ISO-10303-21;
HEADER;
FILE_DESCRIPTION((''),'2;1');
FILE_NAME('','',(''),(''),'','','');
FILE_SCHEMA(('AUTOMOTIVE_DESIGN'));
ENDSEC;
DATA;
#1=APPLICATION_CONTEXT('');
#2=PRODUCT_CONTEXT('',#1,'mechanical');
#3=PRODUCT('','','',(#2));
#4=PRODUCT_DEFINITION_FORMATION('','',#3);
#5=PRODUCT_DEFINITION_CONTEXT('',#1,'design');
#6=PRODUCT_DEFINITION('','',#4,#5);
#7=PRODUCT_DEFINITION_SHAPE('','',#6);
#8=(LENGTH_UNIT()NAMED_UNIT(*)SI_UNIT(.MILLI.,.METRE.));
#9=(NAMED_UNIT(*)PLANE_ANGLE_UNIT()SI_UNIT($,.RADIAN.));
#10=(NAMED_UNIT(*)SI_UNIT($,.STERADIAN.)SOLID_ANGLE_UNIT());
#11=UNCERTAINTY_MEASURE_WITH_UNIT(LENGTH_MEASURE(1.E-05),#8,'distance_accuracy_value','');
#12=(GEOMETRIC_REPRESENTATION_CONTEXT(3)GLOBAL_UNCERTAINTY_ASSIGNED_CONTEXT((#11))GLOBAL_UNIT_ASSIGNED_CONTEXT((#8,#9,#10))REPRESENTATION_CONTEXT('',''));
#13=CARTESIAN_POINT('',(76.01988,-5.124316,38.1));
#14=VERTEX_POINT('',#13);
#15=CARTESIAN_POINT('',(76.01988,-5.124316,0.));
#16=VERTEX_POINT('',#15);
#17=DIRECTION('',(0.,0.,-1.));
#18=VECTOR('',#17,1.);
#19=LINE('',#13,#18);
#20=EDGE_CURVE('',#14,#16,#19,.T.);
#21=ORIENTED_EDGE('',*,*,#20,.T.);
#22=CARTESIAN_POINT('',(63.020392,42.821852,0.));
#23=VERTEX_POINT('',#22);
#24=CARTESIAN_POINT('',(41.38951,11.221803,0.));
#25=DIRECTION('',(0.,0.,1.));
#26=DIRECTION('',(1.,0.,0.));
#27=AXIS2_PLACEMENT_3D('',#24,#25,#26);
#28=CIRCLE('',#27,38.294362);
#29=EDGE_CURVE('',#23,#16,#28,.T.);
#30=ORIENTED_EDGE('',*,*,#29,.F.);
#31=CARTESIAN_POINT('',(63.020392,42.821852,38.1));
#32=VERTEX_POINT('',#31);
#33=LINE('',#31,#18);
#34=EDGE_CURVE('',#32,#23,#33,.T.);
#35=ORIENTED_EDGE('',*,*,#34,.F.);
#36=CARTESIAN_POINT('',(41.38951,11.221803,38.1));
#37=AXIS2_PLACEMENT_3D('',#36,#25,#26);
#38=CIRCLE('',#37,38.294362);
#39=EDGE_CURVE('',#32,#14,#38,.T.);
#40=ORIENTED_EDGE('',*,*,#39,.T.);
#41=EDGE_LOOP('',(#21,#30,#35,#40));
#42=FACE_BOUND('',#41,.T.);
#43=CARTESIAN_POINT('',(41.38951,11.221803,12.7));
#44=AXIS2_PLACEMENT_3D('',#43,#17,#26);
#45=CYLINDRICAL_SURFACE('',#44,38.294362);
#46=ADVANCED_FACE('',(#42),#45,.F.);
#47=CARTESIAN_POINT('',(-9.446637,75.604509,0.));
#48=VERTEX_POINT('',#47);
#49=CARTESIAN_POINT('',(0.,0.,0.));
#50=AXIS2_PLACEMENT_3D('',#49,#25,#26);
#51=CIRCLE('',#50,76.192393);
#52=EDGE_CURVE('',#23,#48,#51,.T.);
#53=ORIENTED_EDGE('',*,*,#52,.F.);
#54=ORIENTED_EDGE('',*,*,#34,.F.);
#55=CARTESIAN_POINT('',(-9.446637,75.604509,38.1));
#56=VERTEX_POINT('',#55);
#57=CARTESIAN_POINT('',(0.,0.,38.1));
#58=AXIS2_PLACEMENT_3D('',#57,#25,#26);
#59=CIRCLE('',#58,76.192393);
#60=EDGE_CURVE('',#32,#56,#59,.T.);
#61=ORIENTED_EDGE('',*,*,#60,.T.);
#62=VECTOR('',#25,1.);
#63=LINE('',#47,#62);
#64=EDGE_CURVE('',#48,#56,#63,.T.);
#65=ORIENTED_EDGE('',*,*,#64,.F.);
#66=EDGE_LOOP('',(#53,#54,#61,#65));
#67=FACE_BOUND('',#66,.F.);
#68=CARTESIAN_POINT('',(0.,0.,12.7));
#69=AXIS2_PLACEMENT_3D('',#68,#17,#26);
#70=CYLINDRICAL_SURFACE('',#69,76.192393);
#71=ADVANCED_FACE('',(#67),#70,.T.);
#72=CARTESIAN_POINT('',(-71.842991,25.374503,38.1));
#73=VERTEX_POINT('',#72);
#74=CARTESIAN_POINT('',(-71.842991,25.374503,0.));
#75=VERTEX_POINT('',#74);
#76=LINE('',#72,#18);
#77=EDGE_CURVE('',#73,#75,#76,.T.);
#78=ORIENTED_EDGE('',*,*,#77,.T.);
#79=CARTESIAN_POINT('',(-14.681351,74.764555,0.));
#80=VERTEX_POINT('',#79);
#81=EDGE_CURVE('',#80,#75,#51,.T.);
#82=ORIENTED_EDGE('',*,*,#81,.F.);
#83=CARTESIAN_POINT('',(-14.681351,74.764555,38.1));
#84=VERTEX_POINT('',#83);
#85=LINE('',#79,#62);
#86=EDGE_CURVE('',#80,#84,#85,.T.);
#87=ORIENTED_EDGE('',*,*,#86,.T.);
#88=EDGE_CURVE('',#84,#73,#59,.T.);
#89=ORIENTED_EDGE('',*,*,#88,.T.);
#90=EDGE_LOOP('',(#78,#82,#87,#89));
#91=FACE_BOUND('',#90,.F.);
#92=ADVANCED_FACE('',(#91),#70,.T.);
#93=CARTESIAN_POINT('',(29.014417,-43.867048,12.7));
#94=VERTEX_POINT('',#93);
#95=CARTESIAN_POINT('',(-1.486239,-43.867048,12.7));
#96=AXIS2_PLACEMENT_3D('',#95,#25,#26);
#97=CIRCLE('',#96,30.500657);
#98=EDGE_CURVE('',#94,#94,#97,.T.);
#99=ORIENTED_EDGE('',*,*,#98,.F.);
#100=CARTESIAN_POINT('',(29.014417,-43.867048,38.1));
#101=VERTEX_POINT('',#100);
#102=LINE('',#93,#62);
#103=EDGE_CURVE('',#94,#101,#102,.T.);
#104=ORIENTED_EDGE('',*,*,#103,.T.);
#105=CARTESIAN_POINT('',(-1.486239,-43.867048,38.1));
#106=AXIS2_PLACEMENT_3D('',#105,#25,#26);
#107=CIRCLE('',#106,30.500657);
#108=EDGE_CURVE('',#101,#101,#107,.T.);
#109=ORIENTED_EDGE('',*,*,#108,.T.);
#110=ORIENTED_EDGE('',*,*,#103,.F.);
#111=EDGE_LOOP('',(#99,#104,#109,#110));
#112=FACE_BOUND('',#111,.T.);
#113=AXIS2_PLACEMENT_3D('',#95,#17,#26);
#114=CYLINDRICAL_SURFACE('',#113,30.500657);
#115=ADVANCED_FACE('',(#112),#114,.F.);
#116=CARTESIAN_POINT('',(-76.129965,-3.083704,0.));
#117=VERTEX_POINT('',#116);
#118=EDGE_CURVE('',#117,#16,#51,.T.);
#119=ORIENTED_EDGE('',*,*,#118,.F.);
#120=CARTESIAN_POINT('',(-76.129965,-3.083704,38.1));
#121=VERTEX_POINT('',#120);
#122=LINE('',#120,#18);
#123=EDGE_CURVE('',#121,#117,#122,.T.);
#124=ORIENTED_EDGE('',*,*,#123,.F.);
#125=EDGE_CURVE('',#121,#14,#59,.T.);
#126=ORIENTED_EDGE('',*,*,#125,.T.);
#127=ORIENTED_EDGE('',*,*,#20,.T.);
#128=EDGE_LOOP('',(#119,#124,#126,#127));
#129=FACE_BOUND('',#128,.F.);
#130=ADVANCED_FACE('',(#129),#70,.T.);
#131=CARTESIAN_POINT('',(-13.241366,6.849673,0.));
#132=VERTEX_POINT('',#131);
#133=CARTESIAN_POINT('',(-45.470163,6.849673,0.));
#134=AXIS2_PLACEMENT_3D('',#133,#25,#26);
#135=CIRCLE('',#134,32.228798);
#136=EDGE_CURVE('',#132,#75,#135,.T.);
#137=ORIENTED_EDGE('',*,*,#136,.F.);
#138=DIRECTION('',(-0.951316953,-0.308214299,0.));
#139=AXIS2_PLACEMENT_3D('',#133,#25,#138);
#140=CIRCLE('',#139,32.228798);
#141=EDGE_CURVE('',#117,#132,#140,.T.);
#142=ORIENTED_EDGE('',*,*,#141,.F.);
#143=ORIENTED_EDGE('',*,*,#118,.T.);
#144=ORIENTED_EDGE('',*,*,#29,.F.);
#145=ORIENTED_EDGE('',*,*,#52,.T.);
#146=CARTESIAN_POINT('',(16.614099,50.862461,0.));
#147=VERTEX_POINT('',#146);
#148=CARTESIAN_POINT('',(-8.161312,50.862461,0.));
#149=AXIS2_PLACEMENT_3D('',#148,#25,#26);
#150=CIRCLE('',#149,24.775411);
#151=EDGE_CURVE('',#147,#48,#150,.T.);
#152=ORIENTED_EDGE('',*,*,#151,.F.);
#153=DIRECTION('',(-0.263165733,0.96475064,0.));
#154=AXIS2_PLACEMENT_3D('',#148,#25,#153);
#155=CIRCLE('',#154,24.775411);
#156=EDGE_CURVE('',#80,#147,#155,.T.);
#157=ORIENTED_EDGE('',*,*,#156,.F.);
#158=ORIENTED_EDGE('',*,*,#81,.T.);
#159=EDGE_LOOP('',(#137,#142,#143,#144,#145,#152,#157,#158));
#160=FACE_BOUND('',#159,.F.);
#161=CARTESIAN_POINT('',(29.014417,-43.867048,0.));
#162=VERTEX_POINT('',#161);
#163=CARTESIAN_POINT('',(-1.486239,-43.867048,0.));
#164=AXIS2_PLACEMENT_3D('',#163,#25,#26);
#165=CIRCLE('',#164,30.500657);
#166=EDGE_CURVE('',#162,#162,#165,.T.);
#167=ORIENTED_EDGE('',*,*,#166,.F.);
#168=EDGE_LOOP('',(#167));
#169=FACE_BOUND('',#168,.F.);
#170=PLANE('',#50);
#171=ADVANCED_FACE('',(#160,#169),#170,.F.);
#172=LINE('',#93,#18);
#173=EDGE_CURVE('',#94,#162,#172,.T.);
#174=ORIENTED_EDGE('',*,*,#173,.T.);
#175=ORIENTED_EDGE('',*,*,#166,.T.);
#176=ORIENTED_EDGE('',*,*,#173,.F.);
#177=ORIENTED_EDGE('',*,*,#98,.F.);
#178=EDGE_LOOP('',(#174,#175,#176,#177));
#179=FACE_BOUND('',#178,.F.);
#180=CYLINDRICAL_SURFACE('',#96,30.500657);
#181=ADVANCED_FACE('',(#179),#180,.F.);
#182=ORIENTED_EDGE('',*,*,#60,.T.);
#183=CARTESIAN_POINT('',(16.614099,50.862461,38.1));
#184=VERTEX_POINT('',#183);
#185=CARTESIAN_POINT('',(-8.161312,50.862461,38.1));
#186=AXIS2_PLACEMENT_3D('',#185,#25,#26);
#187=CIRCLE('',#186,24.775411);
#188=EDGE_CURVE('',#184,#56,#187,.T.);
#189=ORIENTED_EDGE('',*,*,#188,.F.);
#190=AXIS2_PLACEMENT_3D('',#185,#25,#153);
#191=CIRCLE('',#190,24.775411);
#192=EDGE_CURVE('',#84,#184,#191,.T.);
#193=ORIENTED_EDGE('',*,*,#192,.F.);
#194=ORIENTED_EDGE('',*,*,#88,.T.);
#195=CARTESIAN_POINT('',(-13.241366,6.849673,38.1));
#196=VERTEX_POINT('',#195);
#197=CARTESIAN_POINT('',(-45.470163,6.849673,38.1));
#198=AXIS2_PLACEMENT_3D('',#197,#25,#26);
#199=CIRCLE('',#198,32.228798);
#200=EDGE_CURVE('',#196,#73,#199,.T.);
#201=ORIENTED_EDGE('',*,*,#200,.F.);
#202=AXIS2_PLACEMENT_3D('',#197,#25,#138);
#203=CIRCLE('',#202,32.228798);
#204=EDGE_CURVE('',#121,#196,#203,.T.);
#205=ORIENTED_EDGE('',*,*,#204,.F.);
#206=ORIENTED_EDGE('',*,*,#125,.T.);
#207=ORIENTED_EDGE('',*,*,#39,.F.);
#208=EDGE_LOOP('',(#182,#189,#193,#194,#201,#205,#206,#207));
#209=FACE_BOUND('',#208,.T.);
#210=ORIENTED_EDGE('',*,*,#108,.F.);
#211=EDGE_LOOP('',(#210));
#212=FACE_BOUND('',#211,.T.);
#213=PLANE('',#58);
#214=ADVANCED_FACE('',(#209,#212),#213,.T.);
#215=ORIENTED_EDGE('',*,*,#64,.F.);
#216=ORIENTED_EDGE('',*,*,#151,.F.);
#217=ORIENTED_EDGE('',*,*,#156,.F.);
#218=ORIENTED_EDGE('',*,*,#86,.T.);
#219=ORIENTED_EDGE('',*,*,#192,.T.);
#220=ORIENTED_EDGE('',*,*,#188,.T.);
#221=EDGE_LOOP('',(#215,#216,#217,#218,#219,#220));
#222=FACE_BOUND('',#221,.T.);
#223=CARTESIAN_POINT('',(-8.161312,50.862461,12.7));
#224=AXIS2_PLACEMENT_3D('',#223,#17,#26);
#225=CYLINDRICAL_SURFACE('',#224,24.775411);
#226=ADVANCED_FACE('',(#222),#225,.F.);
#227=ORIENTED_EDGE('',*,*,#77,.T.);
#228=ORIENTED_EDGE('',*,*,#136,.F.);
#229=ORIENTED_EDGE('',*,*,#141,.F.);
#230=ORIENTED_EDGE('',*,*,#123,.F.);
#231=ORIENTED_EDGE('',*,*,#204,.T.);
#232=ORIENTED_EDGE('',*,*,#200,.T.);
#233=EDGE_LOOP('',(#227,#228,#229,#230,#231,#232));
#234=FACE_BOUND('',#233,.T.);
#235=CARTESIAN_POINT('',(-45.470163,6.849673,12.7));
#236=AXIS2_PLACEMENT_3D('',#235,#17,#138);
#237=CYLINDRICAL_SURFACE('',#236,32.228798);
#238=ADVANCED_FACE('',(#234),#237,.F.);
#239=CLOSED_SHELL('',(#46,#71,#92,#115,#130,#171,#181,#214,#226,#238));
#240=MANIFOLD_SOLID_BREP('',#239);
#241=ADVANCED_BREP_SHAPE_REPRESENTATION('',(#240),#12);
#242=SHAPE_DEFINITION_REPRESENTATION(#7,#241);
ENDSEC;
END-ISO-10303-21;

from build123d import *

# Parameters (mm, degrees)
F0_R     = 76.1923930789
F1_DEPTH = 12.7
F2_R     = 30.5006565041
F2_R_2   = 1.4862391827
F3_DEPTH = 12.701
F4_DEPTH = 25.4
F5_DEPTH = 25.4
F6_DEPTH = 25.4
F7_DEPTH = 25.4


with BuildPart() as f1:
    # F0 (on Top) → F1 (new body)
    with BuildSketch(Plane.XY):
        Circle(F0_R)
    extrude(amount=F1_DEPTH)

    # F2 (on face) → F3 (cut, through all)
    with BuildSketch(Plane.XY.offset(12.7)):
        with Locations((-1.4862391827, -43.8670478761)):
            Circle(F2_R)
        with Locations((0, -43.8670478761)):
            Circle(F2_R_2, mode=Mode.SUBTRACT)
        with BuildLine():
            ThreePointArc((76.1923930789, 0), (72.8249793386, 22.4009630914), (63.0203918555, 42.8218515884))
            ThreePointArc((63.0203918555, 42.8218515884), (4.4295199426, 1.2009612876), (76.0198799285, -5.1243164166))
            ThreePointArc((76.0198799285, -5.1243164166), (76.1492525781, -2.5636097365), (76.1923930789, 0))
        make_face()
        with BuildLine():
            ThreePointArc((16.6140991318, 50.8624613285), (8.8970664681, 68.830007636), (-9.4466365709, 75.6045092609))
            ThreePointArc((-9.4466365709, 75.6045092609), (-12.0713018803, 75.2300766582), (-14.6813511871, 74.7645550405))
            ThreePointArc((-14.6813511871, 74.7645550405), (-23.1993361612, 31.1729000429), (16.6140991318, 50.8624613285))
        make_face()
        with BuildLine():
            ThreePointArc((-71.8429908792, 25.374503436), (-75.3423273306, 11.349646492), (-76.1299647651, -3.0837036101))
            ThreePointArc((-76.1299647651, -3.0837036101), (-40.4419002943, -24.9844594479), (-13.2413656339, 6.8496726453))
            ThreePointArc((-13.2413656339, 6.8496726453), (-35.7559759242, 37.5796247979), (-71.8429908792, 25.374503436))
        make_face()
        with BuildLine():
            ThreePointArc((-14.6813511871, 74.7645550405), (-12.0713018803, 75.2300766582), (-9.4466365709, 75.6045092609))
            ThreePointArc((-9.4466365709, 75.6045092609), (-12.0865262133, 75.3249568749), (-14.6813511871, 74.7645550405))
        make_face()
        with BuildLine():
            ThreePointArc((-71.8429908792, 25.374503436), (-77.33938953, 11.6504860173), (-76.1299647651, -3.0837036101))
            ThreePointArc((-76.1299647651, -3.0837036101), (-75.3423273306, 11.349646492), (-71.8429908792, 25.374503436))
        make_face()
        with BuildLine():
            ThreePointArc((76.0198799285, -5.1243164166), (78.7566482722, 2.8459379332), (79.6838716591, 11.2218027934))
            ThreePointArc((79.6838716591, 11.2218027934), (75.2627955479, 29.0840160032), (63.0203918555, 42.8218515884))
            ThreePointArc((63.0203918555, 42.8218515884), (72.8249793386, 22.4009630914), (76.1923930789, 0))
            ThreePointArc((76.1923930789, 0), (76.1492525781, -2.5636097365), (76.0198799285, -5.1243164166))
        make_face()
    extrude(amount=-F3_DEPTH, mode=Mode.SUBTRACT)

    # F4 (add): a face of the model
    f4_faces = [f1.faces().sort_by_distance(p)[0] for p in [
        (-2.154905566, -6.975298751, 12.7),
    ]]
    extrude(f4_faces, amount=F4_DEPTH)

    # F5 (cut): a face of the model
    f5_faces = [f1.faces().sort_by_distance(p)[0] for p in [
        (-2.154905566, -6.975298751, 38.1),
    ]]
    extrude(f5_faces, amount=-F5_DEPTH, mode=Mode.SUBTRACT)

    # F6 (cut): a face of the model
    f6_faces = [f1.faces().sort_by_distance(p)[0] for p in [
        (0, -43.8670478761, 12.7),
    ]]
    extrude(f6_faces, amount=-F6_DEPTH, mode=Mode.SUBTRACT)

    # F7 (add): a face of the model
    f7_faces = [f1.faces().sort_by_distance(p)[0] for p in [
        (-2.154905566, -6.975298751, 12.7),
    ]]
    extrude(f7_faces, amount=F7_DEPTH)


solid = f1.part
